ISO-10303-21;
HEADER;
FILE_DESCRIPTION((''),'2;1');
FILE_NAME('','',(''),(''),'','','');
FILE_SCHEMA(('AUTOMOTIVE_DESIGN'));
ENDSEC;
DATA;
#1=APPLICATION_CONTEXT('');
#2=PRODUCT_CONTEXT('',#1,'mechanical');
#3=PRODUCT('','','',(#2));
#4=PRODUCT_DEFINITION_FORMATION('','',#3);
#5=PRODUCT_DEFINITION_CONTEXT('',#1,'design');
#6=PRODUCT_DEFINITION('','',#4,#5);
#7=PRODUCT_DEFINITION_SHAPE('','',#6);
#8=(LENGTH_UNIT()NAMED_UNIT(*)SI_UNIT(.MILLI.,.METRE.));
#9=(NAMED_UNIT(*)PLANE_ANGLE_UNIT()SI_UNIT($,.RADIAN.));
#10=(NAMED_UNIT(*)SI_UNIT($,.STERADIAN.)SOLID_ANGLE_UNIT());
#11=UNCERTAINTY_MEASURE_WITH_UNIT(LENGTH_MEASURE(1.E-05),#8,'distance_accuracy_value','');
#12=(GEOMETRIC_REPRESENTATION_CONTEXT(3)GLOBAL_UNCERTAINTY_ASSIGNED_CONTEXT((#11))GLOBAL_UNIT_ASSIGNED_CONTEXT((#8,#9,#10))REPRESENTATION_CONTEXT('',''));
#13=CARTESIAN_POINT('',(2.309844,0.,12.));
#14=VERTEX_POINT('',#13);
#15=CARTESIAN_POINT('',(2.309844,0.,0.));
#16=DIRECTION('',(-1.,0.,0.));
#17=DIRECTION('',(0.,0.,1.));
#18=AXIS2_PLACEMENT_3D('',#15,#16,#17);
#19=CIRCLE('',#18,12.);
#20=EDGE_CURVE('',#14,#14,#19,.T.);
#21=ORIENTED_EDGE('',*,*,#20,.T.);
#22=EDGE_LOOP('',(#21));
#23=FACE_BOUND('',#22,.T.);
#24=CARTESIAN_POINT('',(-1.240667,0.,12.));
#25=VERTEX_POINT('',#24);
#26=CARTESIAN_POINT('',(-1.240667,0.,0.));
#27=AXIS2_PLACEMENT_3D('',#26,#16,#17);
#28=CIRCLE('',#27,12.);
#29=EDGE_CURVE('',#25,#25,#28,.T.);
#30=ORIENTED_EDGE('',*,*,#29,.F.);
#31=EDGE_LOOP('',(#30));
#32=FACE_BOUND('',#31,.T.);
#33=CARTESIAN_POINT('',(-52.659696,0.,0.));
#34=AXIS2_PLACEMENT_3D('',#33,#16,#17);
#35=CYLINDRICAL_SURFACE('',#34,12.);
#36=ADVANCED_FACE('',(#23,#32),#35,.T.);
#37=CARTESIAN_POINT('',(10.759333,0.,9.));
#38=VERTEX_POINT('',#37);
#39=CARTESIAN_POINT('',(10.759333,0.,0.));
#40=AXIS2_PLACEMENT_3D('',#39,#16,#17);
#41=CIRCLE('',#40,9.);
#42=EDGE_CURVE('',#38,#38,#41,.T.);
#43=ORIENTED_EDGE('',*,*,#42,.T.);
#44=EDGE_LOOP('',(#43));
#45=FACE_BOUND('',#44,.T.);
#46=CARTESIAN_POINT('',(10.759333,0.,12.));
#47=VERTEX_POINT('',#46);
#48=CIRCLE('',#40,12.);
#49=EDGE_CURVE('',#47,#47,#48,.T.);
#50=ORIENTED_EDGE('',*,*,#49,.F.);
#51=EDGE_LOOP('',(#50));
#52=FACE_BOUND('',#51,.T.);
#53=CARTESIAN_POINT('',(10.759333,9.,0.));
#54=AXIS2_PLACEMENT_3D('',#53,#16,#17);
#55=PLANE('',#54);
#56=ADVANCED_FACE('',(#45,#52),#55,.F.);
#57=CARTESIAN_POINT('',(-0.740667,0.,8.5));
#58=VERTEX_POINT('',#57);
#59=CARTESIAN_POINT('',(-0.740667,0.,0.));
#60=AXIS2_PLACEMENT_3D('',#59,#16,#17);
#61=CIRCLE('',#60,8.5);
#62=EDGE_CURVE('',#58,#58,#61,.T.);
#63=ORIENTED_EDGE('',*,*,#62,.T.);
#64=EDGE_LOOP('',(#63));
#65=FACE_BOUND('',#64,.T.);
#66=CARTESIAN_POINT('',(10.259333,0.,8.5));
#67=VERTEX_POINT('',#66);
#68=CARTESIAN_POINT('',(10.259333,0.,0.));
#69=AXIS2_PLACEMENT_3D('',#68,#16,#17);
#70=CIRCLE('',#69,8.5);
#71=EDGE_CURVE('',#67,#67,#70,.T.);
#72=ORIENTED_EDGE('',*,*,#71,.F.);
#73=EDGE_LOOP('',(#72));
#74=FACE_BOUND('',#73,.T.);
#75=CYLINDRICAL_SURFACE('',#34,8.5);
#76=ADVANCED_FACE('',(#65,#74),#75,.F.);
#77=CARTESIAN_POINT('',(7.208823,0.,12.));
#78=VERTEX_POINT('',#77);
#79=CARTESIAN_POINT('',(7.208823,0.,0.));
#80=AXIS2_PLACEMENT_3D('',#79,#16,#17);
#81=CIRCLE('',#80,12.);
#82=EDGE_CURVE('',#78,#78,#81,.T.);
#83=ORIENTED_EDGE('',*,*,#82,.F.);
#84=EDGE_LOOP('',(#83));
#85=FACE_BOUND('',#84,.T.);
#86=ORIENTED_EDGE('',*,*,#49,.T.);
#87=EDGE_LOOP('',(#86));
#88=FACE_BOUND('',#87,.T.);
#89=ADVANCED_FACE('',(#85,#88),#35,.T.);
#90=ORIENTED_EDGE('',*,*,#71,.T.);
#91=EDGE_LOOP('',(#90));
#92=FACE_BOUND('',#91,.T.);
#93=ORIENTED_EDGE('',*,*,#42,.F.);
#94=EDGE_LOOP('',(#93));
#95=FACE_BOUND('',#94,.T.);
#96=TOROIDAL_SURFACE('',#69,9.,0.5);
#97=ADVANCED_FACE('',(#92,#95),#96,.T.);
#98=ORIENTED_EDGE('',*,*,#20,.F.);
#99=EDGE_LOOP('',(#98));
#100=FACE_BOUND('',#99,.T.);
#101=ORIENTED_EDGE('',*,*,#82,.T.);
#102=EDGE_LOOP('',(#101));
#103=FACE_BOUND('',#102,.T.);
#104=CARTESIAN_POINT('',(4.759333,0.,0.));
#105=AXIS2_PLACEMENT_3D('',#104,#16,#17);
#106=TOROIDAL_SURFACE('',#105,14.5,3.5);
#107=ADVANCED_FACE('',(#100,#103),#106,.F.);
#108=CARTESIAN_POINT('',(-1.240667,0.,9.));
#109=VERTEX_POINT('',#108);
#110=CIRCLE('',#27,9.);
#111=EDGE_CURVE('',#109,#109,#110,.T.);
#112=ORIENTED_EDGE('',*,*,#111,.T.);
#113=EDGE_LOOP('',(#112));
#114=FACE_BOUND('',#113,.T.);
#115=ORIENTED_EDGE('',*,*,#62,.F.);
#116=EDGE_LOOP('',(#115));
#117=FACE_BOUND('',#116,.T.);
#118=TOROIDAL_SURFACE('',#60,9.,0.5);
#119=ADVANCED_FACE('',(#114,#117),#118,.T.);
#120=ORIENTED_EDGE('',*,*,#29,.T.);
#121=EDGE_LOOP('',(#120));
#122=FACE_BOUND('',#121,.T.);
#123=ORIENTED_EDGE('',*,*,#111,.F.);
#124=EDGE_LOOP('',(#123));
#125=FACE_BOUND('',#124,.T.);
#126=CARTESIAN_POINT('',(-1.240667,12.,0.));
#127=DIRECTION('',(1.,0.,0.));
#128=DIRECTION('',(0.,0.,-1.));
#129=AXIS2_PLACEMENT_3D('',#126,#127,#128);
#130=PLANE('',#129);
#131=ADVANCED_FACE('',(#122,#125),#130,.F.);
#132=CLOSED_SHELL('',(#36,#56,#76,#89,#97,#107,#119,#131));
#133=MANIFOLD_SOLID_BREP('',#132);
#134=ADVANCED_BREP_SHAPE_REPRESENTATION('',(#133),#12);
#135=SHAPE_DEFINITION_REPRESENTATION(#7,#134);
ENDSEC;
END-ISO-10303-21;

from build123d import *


with BuildPart() as part:
    # Sketch1 → Revolve1 (revolve)
    with BuildSketch(Plane.XY):
        with BuildLine():
            Line((-0.740666673, 8.5), (10.259333327, 8.5))
            ThreePointArc((10.259333327, 8.5), (10.612886718, 8.646446609), (10.759333327, 9))
            Line((10.759333327, 9), (10.759333327, 12))
            Line((10.759333327, 12), (7.20882307, 12))
            ThreePointArc((7.20882307, 12), (4.759333327, 11), (2.309843584, 12))
            Line((2.309843584, 12), (-1.240666673, 12))
            Line((-1.240666673, 12), (-1.240666673, 9))
            ThreePointArc((-1.240666673, 9), (-1.094220063, 8.646446609), (-0.740666673, 8.5))
        make_face()
    revolve(axis=Axis((-52.659695599, 0, 0), (1, 0, 0)))


solid = part.part
